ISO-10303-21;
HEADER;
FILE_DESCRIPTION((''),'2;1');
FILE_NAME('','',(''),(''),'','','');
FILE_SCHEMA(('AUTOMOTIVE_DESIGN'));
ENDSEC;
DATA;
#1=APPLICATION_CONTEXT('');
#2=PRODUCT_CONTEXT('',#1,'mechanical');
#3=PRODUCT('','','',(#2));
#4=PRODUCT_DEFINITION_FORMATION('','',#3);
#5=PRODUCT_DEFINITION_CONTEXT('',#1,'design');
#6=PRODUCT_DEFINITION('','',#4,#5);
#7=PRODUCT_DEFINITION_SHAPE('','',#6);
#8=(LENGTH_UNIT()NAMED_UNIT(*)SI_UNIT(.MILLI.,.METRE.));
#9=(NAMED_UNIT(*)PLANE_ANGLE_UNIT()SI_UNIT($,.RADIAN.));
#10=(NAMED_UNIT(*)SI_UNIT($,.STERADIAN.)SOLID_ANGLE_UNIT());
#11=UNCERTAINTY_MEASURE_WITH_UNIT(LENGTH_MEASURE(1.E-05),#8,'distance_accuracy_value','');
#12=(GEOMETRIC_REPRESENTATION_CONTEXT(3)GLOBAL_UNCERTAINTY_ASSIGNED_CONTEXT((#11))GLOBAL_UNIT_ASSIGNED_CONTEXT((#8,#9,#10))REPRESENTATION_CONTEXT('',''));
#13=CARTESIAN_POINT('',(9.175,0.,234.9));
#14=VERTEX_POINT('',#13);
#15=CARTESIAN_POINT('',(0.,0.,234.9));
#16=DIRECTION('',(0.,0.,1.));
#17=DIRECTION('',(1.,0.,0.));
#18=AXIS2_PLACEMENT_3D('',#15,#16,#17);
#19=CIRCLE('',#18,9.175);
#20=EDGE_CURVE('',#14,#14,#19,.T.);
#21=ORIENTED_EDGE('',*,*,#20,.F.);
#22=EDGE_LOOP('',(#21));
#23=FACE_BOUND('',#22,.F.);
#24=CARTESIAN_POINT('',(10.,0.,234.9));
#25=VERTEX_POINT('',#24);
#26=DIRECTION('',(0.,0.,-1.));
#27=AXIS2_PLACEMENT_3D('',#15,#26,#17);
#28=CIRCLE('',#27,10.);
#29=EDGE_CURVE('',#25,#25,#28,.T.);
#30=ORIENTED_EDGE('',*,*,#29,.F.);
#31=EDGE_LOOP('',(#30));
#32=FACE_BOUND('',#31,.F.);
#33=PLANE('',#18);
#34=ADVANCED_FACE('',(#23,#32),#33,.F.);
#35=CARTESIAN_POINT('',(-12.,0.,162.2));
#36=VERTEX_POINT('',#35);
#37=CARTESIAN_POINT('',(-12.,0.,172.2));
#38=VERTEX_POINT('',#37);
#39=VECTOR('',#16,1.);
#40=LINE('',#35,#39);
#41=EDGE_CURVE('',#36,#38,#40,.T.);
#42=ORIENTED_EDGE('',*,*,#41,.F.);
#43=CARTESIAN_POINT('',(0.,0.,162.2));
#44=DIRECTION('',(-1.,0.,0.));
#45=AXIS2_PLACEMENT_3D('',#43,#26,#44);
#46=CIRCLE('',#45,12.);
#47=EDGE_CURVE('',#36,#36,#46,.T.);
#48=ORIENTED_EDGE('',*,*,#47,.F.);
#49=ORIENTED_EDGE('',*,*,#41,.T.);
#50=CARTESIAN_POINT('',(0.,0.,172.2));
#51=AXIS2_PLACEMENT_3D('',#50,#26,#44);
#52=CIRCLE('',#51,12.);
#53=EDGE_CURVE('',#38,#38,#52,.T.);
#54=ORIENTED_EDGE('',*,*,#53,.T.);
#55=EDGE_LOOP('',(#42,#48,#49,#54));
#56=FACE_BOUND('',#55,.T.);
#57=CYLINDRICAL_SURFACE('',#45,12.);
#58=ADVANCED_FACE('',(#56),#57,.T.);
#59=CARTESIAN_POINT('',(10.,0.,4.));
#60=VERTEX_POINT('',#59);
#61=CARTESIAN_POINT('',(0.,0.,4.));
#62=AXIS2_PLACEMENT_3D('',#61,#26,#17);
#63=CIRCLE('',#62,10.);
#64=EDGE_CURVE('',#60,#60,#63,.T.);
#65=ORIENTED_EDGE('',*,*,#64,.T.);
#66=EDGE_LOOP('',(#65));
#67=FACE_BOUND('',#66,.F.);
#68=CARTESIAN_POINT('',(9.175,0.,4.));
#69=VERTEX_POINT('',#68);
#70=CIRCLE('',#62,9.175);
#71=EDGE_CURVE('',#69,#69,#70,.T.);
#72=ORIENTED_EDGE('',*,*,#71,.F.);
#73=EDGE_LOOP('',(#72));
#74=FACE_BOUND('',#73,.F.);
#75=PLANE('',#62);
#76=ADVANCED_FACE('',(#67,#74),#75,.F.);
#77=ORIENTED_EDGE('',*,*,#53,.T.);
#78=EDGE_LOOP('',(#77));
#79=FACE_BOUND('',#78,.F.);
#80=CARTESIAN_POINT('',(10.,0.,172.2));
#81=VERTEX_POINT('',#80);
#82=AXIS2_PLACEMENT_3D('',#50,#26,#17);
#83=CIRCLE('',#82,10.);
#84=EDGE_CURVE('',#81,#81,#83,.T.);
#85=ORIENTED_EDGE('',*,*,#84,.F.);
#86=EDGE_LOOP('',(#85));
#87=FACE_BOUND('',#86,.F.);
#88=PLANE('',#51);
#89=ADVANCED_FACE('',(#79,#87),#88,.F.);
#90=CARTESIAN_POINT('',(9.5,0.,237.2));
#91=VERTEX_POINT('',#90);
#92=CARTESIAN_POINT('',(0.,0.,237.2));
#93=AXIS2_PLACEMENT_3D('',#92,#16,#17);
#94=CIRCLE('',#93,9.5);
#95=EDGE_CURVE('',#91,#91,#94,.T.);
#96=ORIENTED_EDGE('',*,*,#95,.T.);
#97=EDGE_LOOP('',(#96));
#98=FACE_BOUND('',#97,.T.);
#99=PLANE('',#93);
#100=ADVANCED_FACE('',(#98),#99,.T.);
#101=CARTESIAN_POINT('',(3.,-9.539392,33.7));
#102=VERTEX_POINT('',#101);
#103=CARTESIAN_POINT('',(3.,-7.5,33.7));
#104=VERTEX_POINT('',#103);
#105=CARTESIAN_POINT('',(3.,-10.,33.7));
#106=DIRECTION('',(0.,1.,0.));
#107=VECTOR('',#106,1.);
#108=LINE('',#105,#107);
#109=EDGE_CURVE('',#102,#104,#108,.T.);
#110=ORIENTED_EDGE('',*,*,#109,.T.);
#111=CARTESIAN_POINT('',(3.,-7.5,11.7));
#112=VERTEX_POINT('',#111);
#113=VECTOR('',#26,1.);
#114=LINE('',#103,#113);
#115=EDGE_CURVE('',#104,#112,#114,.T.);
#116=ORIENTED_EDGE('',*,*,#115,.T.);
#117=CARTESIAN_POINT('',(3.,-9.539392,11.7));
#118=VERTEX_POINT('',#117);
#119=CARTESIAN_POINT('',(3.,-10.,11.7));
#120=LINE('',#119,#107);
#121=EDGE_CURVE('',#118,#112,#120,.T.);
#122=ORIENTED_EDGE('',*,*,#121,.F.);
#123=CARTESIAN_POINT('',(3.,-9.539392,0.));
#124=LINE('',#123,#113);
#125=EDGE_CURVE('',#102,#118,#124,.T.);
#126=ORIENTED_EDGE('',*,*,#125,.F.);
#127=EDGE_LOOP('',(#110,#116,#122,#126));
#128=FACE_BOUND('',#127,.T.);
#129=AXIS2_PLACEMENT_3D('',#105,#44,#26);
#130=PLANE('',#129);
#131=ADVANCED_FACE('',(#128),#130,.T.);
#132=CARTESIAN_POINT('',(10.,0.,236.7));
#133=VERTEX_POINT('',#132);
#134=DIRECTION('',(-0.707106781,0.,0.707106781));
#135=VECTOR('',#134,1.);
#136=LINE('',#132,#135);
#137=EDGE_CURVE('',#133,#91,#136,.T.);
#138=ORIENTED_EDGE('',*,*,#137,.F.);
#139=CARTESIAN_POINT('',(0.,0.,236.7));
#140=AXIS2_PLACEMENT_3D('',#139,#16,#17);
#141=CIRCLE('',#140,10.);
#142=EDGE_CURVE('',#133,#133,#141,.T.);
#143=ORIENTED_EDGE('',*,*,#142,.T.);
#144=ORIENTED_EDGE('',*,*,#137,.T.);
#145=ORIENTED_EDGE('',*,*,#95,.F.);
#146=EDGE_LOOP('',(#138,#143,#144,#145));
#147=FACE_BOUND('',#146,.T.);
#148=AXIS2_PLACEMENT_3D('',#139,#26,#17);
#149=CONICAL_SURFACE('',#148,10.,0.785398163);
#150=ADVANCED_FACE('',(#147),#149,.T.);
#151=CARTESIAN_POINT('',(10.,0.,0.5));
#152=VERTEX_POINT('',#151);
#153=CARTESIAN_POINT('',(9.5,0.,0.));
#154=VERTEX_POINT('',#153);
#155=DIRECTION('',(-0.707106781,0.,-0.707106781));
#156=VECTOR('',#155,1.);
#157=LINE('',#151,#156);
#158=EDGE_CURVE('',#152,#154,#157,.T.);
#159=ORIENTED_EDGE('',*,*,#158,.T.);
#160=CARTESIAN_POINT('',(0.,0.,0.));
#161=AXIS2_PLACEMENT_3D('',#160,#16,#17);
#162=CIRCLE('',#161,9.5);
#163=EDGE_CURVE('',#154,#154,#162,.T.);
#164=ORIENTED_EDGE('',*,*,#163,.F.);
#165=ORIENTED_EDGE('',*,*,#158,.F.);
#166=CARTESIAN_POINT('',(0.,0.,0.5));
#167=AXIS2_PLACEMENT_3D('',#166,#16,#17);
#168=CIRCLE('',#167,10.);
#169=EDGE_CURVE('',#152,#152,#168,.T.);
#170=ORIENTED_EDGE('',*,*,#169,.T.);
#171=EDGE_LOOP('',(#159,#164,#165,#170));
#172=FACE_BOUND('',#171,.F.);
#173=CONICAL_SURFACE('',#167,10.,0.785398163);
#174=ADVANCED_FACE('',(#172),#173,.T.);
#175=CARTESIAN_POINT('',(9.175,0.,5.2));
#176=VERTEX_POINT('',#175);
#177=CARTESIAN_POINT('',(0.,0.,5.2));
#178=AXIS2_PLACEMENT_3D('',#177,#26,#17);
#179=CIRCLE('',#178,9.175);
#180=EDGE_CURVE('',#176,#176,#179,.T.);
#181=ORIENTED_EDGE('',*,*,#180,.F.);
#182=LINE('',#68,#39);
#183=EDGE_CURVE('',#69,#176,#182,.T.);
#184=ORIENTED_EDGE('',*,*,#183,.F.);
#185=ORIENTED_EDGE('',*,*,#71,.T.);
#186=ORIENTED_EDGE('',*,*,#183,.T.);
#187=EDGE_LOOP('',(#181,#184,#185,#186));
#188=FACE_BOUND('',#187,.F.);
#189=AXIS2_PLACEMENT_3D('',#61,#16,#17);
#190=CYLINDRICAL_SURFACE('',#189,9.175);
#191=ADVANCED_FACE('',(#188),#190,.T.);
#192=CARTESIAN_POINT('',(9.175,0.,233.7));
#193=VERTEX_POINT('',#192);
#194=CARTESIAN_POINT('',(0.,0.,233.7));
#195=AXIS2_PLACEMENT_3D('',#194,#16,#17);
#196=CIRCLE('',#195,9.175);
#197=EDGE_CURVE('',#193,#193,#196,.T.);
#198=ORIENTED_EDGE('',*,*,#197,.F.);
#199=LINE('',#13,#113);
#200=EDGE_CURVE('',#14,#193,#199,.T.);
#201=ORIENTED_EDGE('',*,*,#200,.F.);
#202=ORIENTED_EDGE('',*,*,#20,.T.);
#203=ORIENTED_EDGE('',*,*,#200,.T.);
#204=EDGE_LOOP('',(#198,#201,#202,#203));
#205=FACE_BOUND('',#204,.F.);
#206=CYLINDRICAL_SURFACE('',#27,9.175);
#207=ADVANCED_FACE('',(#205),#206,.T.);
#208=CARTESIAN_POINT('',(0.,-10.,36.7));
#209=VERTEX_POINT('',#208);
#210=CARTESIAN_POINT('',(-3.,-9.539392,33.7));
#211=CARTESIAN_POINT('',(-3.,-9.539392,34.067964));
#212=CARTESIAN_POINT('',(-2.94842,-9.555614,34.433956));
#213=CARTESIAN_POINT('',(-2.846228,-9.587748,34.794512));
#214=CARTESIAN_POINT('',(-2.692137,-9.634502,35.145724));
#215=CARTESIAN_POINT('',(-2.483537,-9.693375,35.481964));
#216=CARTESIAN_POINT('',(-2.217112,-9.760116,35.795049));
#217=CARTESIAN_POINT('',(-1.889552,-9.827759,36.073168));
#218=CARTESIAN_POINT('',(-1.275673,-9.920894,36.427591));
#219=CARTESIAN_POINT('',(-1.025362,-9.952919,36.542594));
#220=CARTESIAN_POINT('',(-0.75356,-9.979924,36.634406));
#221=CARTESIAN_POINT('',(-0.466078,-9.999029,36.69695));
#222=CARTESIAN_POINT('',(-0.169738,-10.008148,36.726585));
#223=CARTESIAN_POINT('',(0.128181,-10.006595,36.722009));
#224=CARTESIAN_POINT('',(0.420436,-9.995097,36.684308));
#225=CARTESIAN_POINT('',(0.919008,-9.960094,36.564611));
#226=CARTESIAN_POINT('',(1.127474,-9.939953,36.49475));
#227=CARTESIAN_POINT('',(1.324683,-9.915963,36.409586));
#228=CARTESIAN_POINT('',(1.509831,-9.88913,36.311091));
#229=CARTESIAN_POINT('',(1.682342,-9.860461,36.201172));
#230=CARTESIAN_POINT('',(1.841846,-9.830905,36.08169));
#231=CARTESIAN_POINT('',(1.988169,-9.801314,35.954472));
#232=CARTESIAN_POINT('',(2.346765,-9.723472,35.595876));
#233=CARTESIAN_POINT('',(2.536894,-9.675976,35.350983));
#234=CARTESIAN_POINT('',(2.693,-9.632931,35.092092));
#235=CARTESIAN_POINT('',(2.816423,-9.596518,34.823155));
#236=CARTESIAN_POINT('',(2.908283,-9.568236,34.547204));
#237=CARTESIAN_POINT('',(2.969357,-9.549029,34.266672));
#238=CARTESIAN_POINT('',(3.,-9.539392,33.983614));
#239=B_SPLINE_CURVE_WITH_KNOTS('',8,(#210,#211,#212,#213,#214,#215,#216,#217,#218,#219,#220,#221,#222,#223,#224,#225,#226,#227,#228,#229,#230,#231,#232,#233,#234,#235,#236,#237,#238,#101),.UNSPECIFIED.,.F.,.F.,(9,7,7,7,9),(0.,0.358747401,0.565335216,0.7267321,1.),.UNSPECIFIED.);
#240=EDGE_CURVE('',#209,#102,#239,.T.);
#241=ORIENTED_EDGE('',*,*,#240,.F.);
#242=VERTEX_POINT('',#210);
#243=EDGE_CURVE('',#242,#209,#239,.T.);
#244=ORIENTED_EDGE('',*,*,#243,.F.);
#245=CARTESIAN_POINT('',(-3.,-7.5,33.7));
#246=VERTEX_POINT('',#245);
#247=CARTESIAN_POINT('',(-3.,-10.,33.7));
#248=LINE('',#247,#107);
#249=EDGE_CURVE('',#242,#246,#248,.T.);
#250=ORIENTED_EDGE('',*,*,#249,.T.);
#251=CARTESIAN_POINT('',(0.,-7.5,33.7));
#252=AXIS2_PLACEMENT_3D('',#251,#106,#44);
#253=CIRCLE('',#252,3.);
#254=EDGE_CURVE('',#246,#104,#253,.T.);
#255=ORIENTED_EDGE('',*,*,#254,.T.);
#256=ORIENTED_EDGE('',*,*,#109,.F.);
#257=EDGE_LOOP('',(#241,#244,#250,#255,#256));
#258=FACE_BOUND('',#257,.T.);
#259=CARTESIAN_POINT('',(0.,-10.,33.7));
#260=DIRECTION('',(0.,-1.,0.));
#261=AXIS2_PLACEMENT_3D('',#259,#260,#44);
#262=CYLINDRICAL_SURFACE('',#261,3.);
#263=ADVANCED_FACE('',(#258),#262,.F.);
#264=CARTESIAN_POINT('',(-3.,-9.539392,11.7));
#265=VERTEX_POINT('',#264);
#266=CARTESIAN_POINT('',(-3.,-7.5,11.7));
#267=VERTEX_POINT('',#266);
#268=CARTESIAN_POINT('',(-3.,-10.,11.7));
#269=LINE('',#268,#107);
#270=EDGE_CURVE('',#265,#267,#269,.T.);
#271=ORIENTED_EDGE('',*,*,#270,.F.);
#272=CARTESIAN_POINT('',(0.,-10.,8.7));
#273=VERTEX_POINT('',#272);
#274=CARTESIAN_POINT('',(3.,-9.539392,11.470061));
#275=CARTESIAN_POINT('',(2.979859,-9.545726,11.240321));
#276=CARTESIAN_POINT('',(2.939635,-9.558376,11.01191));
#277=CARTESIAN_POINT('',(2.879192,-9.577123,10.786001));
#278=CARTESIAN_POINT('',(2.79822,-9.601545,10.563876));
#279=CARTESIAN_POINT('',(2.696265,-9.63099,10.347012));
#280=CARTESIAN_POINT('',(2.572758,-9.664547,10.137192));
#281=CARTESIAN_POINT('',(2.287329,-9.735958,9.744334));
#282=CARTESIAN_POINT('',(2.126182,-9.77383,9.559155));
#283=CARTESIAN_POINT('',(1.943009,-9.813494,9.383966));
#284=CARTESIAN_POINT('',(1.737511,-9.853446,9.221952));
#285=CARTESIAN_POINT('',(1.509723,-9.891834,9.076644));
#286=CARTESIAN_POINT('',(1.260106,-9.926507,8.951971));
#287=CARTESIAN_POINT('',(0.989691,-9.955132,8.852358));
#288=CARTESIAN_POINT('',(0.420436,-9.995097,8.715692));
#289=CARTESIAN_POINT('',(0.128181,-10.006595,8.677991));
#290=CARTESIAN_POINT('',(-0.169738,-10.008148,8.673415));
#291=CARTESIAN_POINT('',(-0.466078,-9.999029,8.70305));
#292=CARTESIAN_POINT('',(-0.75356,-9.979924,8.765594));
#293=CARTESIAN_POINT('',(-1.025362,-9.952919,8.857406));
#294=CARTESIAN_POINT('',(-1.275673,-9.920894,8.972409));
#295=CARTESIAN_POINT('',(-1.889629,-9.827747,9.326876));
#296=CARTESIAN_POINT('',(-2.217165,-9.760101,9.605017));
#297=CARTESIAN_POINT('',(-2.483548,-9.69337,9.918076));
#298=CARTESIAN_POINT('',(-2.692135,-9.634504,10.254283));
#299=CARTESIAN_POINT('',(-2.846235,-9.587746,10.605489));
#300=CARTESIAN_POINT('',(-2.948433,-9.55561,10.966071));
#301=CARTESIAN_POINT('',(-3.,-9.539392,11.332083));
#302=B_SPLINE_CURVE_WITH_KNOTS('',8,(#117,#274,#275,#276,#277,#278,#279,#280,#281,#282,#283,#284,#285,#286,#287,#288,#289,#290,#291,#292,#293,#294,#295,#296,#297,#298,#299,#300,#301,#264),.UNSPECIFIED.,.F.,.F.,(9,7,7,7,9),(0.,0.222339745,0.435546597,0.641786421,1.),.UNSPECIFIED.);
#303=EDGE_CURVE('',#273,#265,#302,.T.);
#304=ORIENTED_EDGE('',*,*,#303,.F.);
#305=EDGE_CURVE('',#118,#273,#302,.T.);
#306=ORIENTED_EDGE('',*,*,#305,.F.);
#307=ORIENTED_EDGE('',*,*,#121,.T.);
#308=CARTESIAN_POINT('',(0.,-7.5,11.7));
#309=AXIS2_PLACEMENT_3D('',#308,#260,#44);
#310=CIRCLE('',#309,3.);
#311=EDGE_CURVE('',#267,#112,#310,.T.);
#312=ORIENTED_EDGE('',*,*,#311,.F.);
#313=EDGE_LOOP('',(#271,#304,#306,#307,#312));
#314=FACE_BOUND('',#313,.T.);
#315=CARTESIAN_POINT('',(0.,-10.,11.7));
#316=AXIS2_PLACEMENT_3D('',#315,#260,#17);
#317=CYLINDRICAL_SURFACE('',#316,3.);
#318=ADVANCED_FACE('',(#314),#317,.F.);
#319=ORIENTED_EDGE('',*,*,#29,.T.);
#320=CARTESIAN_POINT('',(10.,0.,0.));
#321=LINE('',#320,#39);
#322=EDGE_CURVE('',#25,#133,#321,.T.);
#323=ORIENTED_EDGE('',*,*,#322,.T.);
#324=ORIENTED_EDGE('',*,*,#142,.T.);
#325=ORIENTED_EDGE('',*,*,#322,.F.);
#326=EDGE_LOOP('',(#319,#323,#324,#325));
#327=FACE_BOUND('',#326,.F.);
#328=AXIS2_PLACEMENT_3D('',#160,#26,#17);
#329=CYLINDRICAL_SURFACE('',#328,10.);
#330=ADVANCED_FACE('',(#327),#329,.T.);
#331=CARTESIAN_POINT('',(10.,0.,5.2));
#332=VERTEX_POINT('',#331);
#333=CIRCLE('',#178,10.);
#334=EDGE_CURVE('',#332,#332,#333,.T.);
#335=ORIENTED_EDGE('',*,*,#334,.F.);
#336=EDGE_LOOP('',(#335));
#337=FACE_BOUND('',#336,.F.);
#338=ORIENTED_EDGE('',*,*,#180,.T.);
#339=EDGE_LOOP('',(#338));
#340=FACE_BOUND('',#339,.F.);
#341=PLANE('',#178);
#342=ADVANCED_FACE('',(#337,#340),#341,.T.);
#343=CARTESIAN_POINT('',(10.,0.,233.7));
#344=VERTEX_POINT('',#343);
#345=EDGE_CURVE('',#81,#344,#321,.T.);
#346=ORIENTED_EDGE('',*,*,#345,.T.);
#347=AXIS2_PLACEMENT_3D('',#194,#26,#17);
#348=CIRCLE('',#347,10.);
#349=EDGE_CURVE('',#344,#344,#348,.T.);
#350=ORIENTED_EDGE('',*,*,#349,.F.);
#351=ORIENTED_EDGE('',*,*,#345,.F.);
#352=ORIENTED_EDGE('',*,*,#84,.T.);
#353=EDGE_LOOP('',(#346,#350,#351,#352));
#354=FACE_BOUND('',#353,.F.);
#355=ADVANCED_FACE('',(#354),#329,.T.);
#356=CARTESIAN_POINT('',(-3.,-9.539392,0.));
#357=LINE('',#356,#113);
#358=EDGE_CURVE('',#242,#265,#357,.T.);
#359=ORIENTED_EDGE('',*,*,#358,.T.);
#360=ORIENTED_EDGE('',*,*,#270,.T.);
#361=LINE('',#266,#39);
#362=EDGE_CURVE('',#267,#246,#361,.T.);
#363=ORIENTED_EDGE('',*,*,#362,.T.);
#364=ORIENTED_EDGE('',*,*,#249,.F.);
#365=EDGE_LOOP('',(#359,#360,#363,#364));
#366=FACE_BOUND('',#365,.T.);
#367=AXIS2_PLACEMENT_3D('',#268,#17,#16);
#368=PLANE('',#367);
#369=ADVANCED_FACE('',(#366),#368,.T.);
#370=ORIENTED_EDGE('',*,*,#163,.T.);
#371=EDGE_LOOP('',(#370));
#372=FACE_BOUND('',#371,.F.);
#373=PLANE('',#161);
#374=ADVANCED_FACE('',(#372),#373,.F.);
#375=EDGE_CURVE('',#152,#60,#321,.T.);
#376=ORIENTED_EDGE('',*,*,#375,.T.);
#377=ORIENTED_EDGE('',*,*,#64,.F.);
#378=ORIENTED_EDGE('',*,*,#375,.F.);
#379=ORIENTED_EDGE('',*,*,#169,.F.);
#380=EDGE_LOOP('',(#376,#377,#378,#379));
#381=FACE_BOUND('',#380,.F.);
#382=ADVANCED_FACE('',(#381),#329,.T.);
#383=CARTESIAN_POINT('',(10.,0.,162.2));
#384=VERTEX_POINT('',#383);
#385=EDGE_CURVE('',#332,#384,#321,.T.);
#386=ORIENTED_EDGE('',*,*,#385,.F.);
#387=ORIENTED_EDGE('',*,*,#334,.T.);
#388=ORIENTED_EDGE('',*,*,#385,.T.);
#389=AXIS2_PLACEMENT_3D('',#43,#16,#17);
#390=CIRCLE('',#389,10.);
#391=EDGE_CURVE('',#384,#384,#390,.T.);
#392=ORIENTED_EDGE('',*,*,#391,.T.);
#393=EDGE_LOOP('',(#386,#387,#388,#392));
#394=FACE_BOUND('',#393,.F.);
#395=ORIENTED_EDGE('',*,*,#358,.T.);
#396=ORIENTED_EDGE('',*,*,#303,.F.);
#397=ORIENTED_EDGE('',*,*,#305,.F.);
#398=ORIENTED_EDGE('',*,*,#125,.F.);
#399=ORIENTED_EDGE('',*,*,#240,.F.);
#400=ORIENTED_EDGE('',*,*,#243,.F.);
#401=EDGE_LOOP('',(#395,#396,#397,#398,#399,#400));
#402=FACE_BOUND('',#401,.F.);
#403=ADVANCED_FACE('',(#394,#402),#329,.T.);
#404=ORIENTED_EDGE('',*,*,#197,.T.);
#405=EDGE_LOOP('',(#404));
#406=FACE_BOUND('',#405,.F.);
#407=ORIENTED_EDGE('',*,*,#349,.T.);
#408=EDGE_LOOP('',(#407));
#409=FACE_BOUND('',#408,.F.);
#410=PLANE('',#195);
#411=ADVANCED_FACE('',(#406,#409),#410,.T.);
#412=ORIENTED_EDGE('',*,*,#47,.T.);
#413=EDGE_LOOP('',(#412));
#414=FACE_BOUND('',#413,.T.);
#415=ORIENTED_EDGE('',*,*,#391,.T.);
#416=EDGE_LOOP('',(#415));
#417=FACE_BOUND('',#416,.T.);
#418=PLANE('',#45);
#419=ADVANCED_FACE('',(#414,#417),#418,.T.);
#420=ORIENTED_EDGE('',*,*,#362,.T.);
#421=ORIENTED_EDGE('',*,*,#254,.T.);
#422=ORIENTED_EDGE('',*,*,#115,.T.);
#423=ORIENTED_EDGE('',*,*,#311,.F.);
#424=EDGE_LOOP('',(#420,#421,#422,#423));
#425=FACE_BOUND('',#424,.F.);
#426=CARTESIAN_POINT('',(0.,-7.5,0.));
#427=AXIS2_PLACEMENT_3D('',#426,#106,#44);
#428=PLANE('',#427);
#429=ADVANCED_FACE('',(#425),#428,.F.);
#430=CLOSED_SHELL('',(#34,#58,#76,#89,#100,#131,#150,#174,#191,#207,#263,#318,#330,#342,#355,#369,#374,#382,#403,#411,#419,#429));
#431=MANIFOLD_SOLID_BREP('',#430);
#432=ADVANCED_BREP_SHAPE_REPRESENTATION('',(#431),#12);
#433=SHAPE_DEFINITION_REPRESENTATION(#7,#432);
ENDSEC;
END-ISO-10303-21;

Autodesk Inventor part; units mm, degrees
ref_plane "YZ Plane" through (0, 0, 0) normal (1, 0, 0) x (0, 1, 0)
sketch "草图1" plane through (0, 0, 0) normal (0, 0, 1) x (1, 0, 0)
  circle A0 centre (0, 0) radius 10
  dimension "d0" = 20
extrude "拉伸1" add sketch "草图1" along normal blind 237.2
ref_plane "工作平面1" through (0, -10, 0) normal (0, 1, 0) x (-1, 0, 0)
sketch "草图2" plane through (0, -10, 0) normal (0, 1, 0) x (-1, 0, 0)
  line L0 (3, 33.7) -> (-3, 33.7)
  line L1 (-3, 33.7) -> (-3, 11.7)
  line L2 (-3, 11.7) -> (3, 11.7)
  line L3 (3, 11.7) -> (3, 33.7)
  arc A0 (3, 33.7) -> (-3, 33.7) centre (0, 33.7) ccw
  arc A1 (-3, 11.7) -> (3, 11.7) centre (0, 11.7) ccw
  line L4 (0, 0) -> (0, 11.7)
  dimension "d3" = 6
  dimension "d4" = 22
  dimension "d5" = 11.7
extrude "拉伸2" cut sketch "草图2" along normal blind 2.5
sketch "草图3" plane through (0, 0, 0) normal (0, 1, 0) x (-1, 0, 0)
  line L0 (-9.175, 5.2) -> (-16.1829, 5.2)
  line L1 (-16.1829, 5.2) -> (-16.1829, 4)
  line L2 (-16.1829, 4) -> (-9.175, 4)
  line L3 (-9.175, 4) -> (-9.175, 5.2)
  line L4 (0, 0) -> (0, -12.502)
  line L5 (-10, 0) -> (10, 0) projected
  dimension "d8" = 12.502
  dimension "d9" = 4
  dimension "d10" = 1.2
  dimension "d11" = 9.175
  dimension "d12" = 7.0079
revolve "旋转1" cut sketch "草图3" angle 360 about axis through (0, 0, 0) along (0, 0, -1)
chamfer "倒角1" distance 0.5 angle 45 1 edges at (-10, 0, 0)
ref_plane "工作平面2" through (0, 0, 162.2) normal (0, 0, -1) x (-1, 0, 0)
sketch "草图4" plane through (0, 0, 162.2) normal (0, 0, -1) x (-1, 0, 0)
  circle A0 centre (0, 0) radius 12
  circle A1 centre (0, 0) radius 10 projected
  dimension "d18" = 24
extrude "拉伸3" add sketch "草图4" against normal blind 10
chamfer "倒角2" distance 0.5 angle 45 1 edges at (-10, 0, 237.2)
sketch "草图5" plane through (0, 0, 0) normal (0, 1, 0) x (-1, 0, 0)
  line L0 (-12, 234.9) -> (-9.175, 234.9)
  line L1 (-9.175, 234.9) -> (-9.175, 233.7)
  line L2 (-9.175, 233.7) -> (-12, 233.7)
  line L3 (-12, 233.7) -> (-12, 234.9)
  line L4 (-9.5, 237.2) -> (9.5, 237.2) projected
  line L5 (10, 236.7) -> (-10, 236.7) projected
  line L6 (0, 236.7) -> (0, 240.4719)
  point P0 (0, 0)
  dimension "d24" = 1.2
  dimension "d25" = 2.3
  dimension "d26" = 3.7719
  dimension "d27" = 12
  dimension "d29" = 9.175
revolve "旋转2" cut sketch "草图5" angle 360 about axis through (0, 0, 236.7) along (0, 0, 1)
properties part number "齿轮60-2万向轴"
